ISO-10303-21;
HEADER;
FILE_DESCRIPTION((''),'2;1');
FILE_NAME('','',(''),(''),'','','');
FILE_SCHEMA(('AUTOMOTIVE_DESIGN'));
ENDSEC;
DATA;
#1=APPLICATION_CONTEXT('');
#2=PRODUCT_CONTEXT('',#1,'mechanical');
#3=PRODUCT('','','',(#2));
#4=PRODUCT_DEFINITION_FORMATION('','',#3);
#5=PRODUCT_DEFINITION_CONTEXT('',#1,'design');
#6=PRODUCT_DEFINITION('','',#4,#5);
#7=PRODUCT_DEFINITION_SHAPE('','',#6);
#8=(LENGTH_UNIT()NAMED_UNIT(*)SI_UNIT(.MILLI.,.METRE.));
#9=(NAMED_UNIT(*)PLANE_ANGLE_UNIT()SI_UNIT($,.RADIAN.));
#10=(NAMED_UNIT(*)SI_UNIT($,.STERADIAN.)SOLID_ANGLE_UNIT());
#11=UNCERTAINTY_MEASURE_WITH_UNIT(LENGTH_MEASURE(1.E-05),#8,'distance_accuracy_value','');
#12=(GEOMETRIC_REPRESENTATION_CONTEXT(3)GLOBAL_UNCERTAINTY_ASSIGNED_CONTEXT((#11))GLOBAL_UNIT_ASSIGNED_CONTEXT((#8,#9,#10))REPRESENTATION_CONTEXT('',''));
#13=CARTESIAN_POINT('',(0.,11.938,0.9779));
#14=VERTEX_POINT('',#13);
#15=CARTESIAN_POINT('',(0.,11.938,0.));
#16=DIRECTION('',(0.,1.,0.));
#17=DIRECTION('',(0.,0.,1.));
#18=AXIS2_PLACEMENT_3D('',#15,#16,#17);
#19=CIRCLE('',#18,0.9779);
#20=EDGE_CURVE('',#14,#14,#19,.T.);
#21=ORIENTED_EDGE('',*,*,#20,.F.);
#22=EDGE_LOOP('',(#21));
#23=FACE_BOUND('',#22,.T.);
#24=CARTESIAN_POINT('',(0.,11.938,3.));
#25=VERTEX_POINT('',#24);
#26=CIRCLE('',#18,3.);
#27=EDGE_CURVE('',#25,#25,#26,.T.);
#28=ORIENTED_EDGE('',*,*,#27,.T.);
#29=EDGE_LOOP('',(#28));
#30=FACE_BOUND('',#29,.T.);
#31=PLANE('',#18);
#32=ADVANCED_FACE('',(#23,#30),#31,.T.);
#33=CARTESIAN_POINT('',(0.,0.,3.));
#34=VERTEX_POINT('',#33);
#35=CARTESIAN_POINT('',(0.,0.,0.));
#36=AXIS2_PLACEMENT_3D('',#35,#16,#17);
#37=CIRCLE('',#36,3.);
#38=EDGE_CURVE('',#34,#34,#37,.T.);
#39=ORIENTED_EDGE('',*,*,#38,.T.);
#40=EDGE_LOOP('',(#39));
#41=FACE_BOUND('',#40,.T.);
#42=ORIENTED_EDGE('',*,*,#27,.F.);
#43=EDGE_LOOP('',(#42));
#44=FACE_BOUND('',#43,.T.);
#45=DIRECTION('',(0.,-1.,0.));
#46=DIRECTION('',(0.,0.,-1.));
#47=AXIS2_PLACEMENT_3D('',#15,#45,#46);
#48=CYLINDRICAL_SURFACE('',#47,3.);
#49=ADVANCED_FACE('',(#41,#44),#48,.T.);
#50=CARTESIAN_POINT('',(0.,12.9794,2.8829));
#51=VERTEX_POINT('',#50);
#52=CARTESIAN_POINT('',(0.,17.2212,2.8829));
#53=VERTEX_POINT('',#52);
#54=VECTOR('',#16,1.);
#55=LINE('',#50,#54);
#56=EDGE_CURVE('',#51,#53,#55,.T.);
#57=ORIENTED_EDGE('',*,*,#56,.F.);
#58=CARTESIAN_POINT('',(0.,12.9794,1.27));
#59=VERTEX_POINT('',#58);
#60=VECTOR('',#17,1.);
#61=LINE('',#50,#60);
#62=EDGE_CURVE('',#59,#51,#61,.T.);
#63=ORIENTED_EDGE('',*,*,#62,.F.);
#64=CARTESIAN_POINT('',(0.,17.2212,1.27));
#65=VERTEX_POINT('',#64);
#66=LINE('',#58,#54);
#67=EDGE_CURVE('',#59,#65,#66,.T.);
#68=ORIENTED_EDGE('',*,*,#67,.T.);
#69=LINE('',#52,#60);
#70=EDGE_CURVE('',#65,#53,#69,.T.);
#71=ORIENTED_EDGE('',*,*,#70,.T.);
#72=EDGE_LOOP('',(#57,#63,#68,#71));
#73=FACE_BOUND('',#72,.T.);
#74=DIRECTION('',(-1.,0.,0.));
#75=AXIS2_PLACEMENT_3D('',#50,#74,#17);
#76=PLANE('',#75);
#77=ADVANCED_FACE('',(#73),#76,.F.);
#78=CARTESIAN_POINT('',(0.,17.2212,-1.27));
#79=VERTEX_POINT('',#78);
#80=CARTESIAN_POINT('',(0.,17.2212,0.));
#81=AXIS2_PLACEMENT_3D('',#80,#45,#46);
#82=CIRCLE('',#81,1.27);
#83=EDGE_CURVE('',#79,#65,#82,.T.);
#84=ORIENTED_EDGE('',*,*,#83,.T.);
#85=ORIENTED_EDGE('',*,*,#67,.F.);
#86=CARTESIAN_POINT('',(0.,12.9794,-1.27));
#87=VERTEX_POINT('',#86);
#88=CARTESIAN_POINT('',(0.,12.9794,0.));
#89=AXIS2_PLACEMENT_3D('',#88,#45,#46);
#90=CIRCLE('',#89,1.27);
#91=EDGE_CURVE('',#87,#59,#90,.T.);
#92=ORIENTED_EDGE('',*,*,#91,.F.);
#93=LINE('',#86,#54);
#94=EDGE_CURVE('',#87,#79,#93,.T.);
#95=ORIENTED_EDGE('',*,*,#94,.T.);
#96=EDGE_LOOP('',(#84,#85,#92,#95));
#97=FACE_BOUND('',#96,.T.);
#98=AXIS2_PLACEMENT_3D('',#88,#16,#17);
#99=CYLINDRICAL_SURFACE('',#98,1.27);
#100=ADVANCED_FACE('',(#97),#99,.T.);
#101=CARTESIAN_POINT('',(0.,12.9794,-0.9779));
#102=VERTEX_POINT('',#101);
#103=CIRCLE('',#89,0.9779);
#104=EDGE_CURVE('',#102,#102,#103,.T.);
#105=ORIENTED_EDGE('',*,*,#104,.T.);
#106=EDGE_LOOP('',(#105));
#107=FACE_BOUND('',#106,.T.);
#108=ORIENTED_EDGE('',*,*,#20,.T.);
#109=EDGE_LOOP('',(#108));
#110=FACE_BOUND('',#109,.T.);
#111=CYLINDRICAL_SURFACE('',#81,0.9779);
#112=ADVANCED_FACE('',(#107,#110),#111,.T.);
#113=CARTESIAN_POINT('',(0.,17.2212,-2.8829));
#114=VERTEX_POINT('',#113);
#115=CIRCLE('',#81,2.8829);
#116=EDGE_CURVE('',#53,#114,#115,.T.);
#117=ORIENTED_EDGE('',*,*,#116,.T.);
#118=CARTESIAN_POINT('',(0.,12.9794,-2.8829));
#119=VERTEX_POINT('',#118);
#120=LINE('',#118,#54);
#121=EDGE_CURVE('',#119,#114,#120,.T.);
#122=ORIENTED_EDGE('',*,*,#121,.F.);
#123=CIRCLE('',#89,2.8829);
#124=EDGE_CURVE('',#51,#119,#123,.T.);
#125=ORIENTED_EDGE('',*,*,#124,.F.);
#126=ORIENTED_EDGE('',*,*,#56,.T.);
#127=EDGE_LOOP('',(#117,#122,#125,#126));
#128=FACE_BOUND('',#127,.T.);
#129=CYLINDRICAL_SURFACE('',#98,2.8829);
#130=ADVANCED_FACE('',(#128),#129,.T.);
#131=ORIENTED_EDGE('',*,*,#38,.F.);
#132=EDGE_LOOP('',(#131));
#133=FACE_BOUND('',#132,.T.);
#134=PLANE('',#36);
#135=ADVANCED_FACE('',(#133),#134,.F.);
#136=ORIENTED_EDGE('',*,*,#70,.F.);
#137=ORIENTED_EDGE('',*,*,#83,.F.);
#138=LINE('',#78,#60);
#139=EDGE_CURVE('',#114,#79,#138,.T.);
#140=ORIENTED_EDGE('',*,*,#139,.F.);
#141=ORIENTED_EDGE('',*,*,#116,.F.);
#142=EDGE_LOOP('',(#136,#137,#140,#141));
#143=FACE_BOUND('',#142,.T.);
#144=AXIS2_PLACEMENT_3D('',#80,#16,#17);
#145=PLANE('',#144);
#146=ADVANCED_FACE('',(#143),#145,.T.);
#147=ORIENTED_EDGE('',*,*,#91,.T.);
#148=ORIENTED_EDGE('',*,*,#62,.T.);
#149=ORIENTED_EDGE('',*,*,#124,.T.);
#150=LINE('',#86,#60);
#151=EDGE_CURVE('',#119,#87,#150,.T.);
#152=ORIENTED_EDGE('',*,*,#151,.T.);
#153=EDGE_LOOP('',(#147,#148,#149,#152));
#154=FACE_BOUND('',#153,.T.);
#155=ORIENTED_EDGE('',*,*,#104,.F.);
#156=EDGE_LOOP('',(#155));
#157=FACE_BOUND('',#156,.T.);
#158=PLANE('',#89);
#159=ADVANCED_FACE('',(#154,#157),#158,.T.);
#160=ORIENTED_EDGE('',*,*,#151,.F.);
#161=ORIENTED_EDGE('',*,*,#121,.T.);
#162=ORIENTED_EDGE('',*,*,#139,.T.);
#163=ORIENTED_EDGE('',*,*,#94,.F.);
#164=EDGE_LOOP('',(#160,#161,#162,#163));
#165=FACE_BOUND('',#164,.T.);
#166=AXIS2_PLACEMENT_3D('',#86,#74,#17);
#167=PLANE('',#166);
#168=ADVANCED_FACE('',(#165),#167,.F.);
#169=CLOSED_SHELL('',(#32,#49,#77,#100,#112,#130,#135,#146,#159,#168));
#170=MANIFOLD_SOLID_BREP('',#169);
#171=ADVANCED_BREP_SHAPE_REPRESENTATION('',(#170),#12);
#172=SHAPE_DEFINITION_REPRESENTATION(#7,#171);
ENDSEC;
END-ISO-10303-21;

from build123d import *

# Parameters (mm, degrees)
SKETCH1_R           = 3
BOSS_EXTRUDE1_DEPTH = 11.938
SKETCH2_R           = 0.9779
BOSS_EXTRUDE2_DEPTH = 5.2832
BOSS_EXTRUDE3_DEPTH = 4.2418


with BuildPart() as part:
    # Sketch1 → Boss-Extrude1 (new body)
    with BuildSketch(Plane(origin=(0, 0, 0), x_dir=(1, 0, 0), z_dir=(0, 1, 0))):
        Circle(SKETCH1_R)
    extrude(amount=BOSS_EXTRUDE1_DEPTH)

    # Sketch2 → Boss-Extrude2 (add)
    with BuildSketch(Plane(origin=(0, 11.938, 0), x_dir=(1, 0, 0), z_dir=(0, 1, 0))):
        Circle(SKETCH2_R)
    extrude(amount=BOSS_EXTRUDE2_DEPTH)

    # Sketch4 → Boss-Extrude3 (add)
    with BuildSketch(Plane(origin=(0, 17.2212, -17.2212), x_dir=(1, 0, 0), z_dir=(0, -1, 0))):
        with BuildLine():
            Line((0, 20.1041), (0, 18.4912))
            ThreePointArc((0, 18.4912), (1.27, 17.2212), (0, 15.9512))
            Line((0, 15.9512), (0, 14.3383))
            ThreePointArc((0, 14.3383), (-2.8829, 17.2212), (0, 20.1041))
        make_face()
    extrude(amount=BOSS_EXTRUDE3_DEPTH)


solid = part.part
